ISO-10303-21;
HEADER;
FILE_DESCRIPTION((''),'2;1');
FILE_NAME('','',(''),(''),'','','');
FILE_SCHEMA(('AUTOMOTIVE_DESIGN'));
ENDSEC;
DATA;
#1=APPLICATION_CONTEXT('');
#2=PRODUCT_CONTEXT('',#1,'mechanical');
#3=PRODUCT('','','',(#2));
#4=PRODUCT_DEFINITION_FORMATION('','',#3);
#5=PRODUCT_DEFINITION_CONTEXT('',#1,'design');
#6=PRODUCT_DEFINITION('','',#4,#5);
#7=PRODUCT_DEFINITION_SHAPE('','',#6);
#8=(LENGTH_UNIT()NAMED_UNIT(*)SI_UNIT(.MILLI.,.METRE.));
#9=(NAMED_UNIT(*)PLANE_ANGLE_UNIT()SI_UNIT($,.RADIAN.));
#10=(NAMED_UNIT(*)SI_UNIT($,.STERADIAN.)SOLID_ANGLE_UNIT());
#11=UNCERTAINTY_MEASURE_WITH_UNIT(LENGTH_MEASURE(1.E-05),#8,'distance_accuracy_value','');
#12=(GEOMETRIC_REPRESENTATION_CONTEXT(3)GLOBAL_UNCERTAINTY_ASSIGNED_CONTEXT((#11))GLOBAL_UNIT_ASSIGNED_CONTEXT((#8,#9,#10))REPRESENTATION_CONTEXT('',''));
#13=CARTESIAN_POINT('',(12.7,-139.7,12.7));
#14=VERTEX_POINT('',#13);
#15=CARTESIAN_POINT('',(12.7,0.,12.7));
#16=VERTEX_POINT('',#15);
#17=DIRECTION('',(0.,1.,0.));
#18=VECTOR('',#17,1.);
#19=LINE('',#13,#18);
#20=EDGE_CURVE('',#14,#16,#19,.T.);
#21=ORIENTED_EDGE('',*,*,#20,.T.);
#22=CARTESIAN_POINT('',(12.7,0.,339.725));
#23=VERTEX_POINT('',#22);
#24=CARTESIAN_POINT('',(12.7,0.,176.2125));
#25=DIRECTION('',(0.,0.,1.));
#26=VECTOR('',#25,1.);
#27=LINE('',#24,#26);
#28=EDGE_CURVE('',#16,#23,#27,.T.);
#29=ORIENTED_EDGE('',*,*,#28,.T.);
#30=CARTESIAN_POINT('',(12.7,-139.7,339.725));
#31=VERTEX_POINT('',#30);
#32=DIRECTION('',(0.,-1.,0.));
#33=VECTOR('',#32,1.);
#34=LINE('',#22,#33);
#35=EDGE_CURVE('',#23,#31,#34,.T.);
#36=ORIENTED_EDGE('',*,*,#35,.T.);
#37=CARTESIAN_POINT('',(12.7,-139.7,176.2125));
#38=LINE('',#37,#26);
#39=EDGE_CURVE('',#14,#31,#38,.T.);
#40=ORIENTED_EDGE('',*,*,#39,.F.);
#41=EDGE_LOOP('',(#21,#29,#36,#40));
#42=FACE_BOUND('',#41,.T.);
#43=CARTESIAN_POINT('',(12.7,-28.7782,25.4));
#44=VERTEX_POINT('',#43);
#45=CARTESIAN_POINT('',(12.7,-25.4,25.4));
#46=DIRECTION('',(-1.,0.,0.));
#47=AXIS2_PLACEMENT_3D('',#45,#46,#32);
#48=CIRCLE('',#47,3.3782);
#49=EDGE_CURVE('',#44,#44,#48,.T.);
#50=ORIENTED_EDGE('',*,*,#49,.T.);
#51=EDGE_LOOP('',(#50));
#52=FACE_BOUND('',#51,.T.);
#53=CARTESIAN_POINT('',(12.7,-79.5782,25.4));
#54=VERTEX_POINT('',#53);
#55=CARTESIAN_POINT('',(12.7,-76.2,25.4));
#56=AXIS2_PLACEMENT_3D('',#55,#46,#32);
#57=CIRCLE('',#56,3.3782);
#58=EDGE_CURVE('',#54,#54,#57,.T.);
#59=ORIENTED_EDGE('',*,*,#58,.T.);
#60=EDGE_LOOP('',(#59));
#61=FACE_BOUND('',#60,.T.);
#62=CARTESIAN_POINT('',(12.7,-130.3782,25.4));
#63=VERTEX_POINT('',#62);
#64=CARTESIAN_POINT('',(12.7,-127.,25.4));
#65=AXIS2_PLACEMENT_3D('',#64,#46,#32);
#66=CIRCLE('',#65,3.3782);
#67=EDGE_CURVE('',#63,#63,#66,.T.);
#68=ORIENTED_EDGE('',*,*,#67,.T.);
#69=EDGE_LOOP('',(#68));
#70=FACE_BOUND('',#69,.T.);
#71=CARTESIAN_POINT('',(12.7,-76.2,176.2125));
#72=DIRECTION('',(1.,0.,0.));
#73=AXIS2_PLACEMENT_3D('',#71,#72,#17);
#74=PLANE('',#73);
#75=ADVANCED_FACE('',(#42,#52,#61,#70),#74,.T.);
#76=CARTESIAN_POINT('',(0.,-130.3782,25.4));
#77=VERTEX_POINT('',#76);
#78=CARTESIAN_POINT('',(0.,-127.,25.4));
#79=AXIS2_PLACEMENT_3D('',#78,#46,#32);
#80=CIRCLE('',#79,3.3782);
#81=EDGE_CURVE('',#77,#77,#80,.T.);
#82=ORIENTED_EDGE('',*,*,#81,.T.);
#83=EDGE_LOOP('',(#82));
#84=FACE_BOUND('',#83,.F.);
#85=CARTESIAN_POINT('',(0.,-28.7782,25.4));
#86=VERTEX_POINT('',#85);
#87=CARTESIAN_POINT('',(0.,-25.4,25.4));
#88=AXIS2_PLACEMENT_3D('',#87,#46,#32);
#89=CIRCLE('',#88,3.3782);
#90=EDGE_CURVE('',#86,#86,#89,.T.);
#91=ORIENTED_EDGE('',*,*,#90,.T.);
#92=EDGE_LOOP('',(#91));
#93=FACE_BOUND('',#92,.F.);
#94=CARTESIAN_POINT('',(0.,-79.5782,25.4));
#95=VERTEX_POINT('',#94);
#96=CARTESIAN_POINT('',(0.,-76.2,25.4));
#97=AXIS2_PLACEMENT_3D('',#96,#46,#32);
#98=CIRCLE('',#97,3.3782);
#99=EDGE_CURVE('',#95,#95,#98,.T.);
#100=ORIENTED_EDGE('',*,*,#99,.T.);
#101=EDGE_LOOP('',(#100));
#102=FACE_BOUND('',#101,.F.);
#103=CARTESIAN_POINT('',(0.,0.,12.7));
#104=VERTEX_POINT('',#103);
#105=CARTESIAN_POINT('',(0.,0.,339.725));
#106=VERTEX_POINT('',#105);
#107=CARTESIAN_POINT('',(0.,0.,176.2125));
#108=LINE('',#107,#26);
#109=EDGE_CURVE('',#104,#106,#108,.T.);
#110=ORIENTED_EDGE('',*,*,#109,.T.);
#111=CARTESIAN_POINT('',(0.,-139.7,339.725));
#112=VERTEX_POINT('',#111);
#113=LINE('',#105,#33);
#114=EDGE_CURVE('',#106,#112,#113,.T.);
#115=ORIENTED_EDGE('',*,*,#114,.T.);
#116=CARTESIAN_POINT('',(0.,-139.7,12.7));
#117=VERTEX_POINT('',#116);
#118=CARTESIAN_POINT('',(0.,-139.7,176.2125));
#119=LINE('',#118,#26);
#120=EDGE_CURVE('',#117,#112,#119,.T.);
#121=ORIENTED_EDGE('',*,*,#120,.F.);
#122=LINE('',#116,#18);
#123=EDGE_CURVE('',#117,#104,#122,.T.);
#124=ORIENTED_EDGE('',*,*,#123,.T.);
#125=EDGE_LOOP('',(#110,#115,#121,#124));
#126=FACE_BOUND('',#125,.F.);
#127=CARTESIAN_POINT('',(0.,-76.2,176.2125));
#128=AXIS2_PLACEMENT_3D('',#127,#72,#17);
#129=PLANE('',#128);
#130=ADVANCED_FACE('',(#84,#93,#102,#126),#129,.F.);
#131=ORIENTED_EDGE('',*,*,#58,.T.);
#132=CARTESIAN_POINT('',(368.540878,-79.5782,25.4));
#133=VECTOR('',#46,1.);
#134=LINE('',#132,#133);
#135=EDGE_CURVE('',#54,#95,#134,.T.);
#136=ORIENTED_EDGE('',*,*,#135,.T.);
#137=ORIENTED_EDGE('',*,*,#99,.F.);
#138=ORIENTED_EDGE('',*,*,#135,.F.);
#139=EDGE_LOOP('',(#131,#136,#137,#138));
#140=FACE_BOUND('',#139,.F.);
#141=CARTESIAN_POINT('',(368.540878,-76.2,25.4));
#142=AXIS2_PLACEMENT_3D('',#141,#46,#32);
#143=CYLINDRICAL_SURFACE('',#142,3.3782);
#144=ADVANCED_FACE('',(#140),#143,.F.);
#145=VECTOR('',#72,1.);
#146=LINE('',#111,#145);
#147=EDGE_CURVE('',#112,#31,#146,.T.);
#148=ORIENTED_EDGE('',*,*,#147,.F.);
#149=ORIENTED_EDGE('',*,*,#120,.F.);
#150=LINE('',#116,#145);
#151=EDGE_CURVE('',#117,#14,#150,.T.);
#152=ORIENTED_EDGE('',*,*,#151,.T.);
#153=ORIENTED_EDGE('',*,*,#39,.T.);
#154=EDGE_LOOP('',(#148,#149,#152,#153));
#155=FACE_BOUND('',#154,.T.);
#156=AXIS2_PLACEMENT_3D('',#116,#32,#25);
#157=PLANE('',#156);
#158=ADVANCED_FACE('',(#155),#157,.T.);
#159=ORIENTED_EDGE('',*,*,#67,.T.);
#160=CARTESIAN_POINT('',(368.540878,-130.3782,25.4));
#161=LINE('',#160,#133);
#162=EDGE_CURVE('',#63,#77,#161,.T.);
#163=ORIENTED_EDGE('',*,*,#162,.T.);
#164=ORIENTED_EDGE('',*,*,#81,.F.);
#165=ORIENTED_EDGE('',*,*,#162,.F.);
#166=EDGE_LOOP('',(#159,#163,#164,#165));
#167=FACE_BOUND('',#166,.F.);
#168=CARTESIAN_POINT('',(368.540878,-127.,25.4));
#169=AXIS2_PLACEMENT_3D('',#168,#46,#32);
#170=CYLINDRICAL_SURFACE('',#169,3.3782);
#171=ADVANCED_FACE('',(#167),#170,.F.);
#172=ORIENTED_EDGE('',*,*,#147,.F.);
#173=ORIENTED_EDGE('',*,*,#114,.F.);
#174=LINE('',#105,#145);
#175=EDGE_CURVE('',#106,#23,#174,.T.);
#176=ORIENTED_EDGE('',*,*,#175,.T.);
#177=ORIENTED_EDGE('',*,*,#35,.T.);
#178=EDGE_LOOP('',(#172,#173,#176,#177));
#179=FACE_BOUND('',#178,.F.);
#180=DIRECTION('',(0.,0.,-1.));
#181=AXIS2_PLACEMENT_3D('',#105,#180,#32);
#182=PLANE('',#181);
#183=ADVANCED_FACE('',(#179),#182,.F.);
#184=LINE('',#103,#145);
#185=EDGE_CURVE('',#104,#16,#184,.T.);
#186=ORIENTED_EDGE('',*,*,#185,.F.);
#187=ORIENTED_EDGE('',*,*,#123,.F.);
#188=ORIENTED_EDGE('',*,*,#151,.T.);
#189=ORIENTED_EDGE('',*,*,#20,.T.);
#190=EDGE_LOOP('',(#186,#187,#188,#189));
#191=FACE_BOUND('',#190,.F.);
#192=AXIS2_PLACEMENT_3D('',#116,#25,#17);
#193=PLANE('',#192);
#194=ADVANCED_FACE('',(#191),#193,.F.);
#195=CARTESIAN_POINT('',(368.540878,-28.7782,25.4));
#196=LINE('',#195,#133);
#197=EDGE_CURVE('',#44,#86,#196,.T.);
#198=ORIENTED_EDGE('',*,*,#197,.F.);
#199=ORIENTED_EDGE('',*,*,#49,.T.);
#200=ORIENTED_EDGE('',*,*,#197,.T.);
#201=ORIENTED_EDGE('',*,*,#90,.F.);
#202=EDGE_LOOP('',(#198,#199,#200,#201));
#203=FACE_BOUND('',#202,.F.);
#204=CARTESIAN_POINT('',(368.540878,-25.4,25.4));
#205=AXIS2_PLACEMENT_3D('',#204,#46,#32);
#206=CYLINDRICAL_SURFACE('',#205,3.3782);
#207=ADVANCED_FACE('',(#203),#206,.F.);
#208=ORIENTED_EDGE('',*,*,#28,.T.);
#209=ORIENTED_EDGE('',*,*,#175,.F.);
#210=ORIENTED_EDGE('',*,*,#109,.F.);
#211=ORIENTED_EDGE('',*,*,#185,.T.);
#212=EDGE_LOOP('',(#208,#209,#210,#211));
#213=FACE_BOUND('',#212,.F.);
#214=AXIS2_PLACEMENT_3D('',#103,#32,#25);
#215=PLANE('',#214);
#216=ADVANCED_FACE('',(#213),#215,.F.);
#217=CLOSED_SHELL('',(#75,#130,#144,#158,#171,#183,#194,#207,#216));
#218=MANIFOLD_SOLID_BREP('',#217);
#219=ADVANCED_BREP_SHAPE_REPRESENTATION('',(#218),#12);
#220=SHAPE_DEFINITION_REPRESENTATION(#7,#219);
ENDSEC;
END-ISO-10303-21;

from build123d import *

# Parameters (mm, degrees)
F0_W     = 127
F0_H     = 327.025
F0_W_2   = 12.7
F1_DEPTH = 12.7
F3_D     = 6.7564


with BuildPart() as f1:
    # F0 (on Right) → F1 (new body)
    with BuildSketch(Plane.YZ):
        with Locations((-76.2, 176.2125)):
            Rectangle(F0_W, F0_H)
        with Locations((-6.35, 176.2125)):
            Rectangle(F0_W_2, F0_H)
    extrude(amount=F1_DEPTH)

    # F3 (through all)
    with Locations(Plane.YZ.offset(12.7)):
        with Locations((-127, 25.4), (-76.2, 25.4), (-25.4, 25.4)):
            Hole(F3_D / 2)


solid = f1.part
